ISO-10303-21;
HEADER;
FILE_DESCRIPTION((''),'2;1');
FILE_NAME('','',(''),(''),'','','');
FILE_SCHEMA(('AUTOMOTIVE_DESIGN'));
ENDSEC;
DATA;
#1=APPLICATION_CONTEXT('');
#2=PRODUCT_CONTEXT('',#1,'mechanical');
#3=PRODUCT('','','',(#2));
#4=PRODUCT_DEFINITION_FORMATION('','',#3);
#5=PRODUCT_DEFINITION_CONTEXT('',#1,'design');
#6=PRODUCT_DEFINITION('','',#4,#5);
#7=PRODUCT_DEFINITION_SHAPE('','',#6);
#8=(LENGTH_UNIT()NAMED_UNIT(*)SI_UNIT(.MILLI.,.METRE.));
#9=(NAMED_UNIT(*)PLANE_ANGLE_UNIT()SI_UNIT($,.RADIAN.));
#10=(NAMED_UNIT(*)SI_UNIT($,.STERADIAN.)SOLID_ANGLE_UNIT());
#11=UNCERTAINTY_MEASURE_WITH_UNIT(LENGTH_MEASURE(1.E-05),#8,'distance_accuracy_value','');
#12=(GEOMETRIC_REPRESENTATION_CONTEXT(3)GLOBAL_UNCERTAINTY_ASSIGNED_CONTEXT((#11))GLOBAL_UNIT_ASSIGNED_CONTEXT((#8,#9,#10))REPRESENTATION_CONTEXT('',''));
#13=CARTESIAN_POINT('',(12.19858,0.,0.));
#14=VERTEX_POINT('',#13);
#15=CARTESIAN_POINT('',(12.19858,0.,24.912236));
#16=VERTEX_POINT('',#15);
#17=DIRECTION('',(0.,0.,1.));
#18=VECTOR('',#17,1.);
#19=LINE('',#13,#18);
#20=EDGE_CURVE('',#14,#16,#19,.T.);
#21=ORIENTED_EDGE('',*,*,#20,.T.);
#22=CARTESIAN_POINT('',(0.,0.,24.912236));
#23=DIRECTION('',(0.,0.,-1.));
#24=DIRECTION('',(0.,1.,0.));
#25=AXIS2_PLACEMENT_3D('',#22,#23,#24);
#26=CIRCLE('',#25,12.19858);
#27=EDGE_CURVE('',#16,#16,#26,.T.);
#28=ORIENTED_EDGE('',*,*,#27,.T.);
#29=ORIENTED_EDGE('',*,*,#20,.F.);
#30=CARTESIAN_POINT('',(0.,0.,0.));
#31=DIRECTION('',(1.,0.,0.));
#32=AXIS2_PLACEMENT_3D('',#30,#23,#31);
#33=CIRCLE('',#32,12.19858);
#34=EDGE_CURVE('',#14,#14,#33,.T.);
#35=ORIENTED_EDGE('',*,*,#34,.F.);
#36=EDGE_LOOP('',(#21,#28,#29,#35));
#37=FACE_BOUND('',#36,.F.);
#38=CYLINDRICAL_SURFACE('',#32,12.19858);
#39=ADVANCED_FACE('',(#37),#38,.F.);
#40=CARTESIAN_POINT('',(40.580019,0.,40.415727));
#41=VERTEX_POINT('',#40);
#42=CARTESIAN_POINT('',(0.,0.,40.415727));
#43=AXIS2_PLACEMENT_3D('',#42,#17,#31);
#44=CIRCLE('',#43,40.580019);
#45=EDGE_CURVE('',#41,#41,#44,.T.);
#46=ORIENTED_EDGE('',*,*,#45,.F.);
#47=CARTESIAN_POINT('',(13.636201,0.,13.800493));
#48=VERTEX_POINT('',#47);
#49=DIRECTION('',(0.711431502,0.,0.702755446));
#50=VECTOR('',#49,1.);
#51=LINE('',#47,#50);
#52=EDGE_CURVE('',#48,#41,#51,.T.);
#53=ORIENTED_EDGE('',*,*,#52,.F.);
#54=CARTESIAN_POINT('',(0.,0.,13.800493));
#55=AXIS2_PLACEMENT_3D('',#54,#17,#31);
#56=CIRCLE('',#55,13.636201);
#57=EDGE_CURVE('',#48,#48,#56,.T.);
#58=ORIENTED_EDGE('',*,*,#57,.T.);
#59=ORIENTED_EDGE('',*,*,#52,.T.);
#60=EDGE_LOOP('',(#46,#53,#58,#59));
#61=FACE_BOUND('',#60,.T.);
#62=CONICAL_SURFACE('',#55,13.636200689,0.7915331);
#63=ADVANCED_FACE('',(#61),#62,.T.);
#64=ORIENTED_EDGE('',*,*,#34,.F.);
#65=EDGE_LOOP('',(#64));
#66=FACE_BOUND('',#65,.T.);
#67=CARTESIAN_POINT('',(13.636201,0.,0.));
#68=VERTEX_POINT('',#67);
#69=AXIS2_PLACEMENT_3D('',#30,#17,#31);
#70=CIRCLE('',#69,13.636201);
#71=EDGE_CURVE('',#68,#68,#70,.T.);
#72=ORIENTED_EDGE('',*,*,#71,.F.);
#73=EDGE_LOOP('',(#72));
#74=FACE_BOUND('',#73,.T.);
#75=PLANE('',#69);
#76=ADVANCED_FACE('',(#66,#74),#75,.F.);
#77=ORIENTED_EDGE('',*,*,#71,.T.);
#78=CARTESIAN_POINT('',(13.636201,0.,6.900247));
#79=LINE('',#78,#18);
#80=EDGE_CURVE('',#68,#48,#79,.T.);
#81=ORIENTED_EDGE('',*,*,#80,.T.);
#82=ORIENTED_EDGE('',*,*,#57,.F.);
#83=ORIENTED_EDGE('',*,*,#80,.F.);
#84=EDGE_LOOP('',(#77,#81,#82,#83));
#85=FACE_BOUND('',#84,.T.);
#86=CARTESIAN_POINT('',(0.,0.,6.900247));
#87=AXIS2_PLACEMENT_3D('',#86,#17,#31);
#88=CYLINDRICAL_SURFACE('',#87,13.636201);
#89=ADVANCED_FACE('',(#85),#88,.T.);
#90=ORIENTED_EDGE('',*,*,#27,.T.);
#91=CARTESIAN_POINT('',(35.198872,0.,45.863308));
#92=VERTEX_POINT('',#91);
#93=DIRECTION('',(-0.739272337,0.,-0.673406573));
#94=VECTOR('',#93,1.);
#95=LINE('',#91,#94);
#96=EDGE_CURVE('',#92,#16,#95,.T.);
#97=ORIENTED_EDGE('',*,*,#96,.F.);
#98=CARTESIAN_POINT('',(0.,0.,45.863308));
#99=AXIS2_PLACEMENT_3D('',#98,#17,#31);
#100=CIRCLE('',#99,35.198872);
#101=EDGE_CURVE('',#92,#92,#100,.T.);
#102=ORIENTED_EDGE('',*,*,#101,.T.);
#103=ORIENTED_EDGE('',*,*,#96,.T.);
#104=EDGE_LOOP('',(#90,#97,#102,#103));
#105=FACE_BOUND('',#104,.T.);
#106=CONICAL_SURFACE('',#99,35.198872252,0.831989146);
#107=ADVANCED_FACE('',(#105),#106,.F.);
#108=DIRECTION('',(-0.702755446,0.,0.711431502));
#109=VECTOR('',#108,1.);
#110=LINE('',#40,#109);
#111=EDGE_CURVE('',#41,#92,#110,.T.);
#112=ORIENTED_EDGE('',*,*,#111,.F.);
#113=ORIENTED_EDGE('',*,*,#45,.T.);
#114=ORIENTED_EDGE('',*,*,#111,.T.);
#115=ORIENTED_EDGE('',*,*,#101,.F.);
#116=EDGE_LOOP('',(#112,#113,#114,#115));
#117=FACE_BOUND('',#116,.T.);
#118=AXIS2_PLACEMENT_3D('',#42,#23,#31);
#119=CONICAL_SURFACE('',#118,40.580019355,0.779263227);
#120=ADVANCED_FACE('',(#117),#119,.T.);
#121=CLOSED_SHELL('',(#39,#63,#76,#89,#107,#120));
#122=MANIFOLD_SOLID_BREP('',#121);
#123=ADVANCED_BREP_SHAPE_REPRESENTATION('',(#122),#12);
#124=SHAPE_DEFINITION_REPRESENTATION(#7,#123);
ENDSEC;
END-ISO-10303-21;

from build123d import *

# Parameters (mm, degrees)
F0_W     = 13.6362006888
F0_H     = 13.8004934415
F2_R     = 12.1985802558
F3_DEPTH = 25.4


with BuildPart() as f1:
    # F0 (on Front) → F1 (revolve)
    with BuildSketch(Plane.XZ):
        with Locations((6.8181003444, 6.9002467208)):
            Rectangle(F0_W, F0_H)
        Polygon((35.1988722524, 45.8633081005), (0, 13.8004934415), (13.6362006888, 13.8004934415), (40.5800193548, 40.4157266021), align=None)
    revolve(axis=Axis((0, 0, 6.9002467208), (0, 0, 1)))

    # F2 (on face) → F3 (cut)
    with BuildSketch(Plane(origin=(0, 0, 0), x_dir=(1, 0, 0), z_dir=(0, 0, -1))):
        Circle(F2_R)
    extrude(amount=-F3_DEPTH, mode=Mode.SUBTRACT)


solid = f1.part
